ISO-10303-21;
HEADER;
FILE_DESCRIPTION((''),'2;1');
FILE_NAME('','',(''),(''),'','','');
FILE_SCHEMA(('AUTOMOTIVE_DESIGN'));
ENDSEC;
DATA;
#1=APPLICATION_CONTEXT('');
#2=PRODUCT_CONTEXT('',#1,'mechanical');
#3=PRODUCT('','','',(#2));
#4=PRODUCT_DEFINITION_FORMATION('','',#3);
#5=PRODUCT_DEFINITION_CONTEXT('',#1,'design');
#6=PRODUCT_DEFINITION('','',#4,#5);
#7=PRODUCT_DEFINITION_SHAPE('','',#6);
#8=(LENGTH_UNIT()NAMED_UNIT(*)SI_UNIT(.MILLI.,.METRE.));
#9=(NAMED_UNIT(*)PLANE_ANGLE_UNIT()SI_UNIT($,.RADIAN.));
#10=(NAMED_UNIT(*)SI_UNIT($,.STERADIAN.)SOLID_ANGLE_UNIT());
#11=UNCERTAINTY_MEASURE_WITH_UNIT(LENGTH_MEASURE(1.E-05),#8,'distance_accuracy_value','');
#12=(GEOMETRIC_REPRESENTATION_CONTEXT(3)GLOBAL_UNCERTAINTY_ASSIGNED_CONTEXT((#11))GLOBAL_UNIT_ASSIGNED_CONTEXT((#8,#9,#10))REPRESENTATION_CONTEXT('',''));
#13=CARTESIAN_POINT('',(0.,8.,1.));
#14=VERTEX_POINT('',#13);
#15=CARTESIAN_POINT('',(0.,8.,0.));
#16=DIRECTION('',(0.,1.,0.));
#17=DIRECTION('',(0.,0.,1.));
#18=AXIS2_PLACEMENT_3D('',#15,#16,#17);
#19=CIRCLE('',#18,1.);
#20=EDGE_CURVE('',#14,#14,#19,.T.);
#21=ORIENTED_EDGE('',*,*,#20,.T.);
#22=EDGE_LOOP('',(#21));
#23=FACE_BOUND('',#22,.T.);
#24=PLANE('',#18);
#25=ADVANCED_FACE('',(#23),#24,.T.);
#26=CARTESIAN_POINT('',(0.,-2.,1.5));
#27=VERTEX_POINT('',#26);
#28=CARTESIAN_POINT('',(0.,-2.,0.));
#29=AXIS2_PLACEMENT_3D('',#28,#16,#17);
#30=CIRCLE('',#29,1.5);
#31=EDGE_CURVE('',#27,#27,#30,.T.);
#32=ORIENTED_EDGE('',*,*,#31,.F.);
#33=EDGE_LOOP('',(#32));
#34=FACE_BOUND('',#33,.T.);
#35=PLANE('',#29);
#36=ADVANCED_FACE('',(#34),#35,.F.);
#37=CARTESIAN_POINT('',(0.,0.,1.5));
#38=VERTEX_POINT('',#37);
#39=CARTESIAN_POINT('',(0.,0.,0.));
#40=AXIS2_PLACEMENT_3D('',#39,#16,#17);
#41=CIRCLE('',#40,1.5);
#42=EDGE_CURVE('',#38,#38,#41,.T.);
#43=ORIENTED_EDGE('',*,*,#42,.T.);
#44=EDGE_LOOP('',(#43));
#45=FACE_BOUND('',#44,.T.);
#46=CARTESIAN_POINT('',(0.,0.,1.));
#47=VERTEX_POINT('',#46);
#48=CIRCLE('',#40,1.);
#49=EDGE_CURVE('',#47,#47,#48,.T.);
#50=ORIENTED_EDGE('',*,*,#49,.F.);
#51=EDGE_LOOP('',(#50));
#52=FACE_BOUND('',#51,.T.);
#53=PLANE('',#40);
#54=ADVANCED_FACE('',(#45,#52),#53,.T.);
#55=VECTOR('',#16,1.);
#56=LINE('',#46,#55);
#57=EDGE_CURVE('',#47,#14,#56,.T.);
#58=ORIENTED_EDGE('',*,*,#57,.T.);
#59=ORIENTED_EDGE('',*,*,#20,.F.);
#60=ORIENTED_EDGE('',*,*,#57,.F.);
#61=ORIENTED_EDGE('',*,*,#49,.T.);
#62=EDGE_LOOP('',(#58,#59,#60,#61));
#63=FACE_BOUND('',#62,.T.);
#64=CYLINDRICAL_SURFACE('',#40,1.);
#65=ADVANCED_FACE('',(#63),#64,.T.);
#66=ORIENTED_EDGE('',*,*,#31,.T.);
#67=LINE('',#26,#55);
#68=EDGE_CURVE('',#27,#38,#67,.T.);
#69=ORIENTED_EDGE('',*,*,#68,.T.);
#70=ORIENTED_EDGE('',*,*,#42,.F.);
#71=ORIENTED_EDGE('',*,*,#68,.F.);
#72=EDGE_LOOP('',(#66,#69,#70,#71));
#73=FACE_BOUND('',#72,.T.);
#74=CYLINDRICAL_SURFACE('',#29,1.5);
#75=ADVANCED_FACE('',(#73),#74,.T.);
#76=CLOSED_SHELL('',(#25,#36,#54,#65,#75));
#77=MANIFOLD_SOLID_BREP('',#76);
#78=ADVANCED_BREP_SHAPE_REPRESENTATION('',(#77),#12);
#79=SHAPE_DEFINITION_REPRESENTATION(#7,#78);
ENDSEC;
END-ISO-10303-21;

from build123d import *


with BuildPart() as part:
    # Sketch → Revolution (revolve)
    with BuildSketch(Plane.YZ):
        Polygon((-2, 0), (-2, 1.5), (0, 1.5), (0, 1), (8, 1), (8, 0), align=None)
    revolve(axis=Axis((0, 0, 0), (0, 1, 0)))


solid = part.part
